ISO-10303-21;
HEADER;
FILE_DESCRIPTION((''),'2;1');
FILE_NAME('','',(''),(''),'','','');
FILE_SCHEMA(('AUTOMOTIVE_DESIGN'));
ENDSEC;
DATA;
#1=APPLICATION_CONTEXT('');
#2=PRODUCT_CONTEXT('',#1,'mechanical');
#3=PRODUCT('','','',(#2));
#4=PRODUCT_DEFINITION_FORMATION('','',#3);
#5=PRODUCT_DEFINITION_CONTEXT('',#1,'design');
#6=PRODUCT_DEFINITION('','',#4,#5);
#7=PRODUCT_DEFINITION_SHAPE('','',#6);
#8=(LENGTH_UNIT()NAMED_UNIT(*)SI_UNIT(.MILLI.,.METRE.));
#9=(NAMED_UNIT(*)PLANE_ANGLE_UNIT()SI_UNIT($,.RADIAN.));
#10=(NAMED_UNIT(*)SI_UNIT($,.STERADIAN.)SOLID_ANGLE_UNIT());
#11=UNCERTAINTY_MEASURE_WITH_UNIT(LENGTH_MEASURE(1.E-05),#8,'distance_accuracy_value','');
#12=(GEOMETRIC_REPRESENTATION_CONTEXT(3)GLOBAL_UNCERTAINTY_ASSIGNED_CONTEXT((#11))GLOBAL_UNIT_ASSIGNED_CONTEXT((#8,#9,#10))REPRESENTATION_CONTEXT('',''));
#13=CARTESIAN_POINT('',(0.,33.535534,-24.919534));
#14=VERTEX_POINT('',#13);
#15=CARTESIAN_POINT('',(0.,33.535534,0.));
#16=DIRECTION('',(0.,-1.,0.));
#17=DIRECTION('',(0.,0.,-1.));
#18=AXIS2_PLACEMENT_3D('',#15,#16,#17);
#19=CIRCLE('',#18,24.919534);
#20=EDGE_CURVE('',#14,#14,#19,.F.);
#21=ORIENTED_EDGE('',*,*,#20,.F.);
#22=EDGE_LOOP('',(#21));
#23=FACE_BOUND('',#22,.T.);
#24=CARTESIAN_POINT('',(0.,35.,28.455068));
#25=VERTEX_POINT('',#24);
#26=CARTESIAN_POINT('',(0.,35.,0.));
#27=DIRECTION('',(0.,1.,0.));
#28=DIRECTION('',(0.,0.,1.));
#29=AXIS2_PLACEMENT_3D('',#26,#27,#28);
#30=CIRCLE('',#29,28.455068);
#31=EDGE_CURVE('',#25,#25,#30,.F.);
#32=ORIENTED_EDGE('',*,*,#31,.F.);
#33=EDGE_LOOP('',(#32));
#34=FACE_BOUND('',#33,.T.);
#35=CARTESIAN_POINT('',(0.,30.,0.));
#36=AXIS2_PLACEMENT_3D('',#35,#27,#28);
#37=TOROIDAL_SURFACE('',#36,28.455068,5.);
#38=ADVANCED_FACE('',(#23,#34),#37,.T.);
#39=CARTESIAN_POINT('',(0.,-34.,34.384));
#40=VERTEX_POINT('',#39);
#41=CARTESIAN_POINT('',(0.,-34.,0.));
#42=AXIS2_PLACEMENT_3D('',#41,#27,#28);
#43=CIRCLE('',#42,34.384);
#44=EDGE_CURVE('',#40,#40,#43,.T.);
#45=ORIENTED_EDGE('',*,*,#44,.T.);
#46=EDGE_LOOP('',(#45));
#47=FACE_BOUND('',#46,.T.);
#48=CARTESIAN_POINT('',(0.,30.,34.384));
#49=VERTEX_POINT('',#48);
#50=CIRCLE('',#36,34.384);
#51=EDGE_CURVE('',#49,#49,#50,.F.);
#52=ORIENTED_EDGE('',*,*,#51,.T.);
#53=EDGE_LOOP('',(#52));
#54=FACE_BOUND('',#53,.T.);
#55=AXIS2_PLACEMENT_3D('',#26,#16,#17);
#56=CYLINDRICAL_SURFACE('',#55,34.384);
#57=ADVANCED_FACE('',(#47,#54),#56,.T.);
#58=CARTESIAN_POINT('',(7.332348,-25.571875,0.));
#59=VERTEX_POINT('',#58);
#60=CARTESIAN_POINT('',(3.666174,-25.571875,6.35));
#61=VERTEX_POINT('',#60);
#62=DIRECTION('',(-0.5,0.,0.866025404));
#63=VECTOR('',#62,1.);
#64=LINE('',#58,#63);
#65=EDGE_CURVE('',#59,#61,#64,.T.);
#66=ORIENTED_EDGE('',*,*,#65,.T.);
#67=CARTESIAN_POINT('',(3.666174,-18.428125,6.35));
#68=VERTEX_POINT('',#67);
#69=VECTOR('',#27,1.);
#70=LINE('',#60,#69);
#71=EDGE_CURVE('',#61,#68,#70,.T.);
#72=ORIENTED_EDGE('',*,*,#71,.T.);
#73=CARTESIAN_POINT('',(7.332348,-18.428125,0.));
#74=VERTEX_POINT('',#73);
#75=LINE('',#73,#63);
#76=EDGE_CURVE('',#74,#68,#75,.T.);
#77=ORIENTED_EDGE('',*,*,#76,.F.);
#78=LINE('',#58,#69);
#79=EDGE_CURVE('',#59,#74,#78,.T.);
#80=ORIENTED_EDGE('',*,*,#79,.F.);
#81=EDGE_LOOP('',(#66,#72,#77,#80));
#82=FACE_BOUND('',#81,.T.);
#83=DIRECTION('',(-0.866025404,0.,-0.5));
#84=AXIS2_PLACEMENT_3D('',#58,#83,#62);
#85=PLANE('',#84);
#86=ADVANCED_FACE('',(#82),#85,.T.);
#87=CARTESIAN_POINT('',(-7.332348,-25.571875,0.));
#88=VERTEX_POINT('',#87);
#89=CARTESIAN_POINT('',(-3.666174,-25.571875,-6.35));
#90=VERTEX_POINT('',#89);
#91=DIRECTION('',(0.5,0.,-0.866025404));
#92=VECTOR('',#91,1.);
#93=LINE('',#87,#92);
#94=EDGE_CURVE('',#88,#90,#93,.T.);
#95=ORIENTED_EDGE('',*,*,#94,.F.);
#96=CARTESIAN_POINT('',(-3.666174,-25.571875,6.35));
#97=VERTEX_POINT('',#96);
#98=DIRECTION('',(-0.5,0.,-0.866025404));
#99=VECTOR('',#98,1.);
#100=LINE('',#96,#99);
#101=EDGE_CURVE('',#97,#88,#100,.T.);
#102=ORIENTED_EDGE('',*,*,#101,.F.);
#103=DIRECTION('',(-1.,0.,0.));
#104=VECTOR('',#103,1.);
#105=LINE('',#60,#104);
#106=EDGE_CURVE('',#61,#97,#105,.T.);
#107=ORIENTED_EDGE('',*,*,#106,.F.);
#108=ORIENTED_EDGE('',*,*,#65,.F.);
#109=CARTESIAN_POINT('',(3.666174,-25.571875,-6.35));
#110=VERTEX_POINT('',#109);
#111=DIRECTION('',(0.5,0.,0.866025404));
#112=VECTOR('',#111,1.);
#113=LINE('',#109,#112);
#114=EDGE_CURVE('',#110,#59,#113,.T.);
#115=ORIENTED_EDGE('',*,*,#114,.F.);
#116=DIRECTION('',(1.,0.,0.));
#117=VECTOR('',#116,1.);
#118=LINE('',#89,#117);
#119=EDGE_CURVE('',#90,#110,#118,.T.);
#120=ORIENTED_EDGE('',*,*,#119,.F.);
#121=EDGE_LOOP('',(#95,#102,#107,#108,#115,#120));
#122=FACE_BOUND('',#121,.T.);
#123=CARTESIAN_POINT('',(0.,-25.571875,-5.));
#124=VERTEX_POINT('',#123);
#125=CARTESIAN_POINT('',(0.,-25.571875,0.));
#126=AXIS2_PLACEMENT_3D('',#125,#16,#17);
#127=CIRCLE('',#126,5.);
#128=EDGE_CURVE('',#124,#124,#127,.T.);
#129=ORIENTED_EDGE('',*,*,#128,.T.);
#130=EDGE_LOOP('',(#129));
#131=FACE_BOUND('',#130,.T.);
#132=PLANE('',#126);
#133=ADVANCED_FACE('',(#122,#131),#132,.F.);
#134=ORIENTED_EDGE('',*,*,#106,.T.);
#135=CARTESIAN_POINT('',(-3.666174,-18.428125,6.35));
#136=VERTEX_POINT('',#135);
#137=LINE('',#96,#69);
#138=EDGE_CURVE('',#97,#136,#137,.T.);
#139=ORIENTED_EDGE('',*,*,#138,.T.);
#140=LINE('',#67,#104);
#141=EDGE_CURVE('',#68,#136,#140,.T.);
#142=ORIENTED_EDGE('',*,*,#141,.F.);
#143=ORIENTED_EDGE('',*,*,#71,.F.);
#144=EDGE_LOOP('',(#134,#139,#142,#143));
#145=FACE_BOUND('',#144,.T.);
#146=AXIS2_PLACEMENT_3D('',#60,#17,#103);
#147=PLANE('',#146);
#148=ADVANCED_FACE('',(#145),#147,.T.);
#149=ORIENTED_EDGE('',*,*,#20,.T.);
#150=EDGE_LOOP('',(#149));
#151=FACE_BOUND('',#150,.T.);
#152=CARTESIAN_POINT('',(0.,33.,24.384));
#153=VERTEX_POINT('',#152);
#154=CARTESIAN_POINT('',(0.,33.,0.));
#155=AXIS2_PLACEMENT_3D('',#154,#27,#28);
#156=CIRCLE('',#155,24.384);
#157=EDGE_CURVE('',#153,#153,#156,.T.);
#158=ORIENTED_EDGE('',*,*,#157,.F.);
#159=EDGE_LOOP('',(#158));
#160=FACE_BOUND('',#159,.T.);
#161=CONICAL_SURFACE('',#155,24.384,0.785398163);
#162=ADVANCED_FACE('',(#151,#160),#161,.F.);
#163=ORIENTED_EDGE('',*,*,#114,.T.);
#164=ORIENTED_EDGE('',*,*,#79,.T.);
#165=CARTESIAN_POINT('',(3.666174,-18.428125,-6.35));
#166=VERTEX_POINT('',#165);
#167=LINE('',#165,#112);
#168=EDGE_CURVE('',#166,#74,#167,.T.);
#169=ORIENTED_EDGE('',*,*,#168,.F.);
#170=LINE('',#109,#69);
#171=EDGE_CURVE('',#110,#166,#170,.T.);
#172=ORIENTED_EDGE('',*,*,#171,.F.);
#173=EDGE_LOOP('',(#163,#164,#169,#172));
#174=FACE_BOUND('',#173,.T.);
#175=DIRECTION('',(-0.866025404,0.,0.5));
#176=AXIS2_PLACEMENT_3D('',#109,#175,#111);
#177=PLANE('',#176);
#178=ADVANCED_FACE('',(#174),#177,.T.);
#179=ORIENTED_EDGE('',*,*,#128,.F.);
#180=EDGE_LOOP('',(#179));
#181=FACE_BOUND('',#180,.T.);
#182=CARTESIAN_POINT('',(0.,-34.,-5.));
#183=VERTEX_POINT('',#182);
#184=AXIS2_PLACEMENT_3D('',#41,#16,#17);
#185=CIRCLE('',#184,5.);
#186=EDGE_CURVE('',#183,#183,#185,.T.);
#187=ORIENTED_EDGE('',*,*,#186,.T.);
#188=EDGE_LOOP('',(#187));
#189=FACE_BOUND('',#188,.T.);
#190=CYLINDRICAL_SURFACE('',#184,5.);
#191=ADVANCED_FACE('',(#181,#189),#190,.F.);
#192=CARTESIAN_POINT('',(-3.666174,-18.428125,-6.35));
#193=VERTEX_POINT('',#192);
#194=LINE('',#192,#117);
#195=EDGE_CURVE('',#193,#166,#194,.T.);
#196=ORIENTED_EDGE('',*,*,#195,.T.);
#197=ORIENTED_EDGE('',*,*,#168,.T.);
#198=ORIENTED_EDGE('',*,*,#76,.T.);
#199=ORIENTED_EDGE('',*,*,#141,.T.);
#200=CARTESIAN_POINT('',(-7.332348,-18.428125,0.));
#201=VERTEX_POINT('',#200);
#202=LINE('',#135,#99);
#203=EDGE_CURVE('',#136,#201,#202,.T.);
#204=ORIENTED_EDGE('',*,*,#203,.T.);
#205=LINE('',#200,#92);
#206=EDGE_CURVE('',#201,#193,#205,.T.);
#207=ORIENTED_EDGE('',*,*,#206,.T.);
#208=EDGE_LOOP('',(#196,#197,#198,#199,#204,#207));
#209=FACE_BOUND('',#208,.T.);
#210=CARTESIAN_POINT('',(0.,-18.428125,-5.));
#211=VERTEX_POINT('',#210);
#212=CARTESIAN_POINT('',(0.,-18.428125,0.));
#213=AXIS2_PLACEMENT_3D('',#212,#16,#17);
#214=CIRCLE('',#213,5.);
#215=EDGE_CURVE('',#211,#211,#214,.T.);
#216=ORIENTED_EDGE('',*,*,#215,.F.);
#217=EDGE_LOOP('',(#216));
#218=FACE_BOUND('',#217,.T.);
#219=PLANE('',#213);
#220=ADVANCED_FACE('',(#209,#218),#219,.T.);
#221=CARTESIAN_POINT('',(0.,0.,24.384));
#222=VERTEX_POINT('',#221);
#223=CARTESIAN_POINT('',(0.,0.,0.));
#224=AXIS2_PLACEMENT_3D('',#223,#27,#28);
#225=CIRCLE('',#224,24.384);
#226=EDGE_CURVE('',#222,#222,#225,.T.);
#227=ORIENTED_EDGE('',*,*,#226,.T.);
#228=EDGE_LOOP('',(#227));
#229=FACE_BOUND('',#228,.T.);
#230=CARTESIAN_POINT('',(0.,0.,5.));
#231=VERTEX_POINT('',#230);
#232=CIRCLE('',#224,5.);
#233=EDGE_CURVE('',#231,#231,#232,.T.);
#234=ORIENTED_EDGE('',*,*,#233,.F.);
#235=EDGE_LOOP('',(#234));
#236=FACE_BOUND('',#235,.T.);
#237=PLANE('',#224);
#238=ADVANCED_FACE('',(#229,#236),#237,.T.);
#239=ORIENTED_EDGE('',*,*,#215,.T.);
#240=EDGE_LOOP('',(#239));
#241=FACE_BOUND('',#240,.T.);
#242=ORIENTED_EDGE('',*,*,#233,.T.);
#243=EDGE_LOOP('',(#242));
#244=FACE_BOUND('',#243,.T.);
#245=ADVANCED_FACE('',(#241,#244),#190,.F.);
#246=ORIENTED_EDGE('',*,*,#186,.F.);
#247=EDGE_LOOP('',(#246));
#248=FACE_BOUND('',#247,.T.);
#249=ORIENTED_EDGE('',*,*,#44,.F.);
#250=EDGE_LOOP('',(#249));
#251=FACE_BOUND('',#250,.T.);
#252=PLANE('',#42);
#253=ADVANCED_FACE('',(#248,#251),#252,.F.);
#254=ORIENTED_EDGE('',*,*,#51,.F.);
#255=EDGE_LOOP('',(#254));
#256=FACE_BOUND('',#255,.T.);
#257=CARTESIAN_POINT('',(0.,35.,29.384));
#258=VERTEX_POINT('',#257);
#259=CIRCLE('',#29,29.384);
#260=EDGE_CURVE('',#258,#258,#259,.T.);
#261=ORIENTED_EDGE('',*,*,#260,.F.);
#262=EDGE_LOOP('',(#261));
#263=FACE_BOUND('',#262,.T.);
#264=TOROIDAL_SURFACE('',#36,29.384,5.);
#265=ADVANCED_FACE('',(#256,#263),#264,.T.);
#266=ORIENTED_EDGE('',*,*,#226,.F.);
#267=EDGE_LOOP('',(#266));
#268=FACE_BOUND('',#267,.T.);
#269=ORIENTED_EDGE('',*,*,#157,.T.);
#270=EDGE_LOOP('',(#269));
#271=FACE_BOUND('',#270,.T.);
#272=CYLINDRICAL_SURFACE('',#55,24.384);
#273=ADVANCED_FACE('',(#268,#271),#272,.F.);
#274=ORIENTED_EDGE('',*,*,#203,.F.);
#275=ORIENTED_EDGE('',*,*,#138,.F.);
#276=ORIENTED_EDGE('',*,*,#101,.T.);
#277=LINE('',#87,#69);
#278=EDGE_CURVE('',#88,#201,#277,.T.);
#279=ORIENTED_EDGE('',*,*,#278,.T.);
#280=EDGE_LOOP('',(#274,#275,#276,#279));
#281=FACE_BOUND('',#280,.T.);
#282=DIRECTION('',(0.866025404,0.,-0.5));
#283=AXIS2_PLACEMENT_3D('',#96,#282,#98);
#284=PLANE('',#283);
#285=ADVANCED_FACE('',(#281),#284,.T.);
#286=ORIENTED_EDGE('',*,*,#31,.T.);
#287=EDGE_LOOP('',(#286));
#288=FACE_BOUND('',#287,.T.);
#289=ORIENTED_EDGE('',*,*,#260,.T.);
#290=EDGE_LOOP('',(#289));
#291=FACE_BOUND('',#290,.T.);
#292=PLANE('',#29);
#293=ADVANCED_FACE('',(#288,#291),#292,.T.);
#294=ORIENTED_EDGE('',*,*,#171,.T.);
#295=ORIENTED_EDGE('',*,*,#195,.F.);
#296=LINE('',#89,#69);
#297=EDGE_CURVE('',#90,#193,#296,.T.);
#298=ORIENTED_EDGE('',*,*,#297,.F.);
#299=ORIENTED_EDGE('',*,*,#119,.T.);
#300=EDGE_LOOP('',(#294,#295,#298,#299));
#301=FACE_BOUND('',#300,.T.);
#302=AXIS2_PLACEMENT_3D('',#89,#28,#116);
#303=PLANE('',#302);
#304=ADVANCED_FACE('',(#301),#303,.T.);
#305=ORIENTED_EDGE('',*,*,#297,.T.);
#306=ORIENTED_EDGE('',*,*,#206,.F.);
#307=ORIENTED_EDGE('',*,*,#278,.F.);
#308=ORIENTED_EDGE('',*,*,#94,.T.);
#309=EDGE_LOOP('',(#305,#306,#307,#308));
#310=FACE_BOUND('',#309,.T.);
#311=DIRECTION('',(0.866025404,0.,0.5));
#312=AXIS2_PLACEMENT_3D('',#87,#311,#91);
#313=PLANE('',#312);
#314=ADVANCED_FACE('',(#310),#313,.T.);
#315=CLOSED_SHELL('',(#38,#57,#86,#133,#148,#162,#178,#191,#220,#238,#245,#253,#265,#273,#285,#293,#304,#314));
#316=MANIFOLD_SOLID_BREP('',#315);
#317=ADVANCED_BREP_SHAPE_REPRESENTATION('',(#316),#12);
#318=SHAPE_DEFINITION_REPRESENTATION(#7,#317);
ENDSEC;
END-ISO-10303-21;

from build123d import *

# Parameters (mm, degrees)
SKETCH1_R               = 34.384
SKETCH1_R_2             = 24.384
BOSS_EXTRUDE1_DEPTH     = 35
BOSS_EXTRUDE2_START     = -34
SKETCH1_3_R             = 34.384
BOSS_EXTRUDE2_DEPTH     = 34
CHAMFER1_SIZE           = 2
FILLET2_R               = 5
CUT_EXTRUDE1_DEPTH      = 3.571875
CUT_EXTRUDE1_DEPTH_BACK = 3.571875
F_10_0MM_DOWEL_HOLE1_D  = 10


with BuildPart() as part:
    # Sketch1 → Boss-Extrude1 (new body)
    with BuildSketch(Plane(origin=(0, 0, 0), x_dir=(1, 0, 0), z_dir=(0, 1, 0))):
        Circle(SKETCH1_R)
        Circle(SKETCH1_R_2, mode=Mode.SUBTRACT)
    extrude(amount=BOSS_EXTRUDE1_DEPTH)

    # Sketch1<3> → Boss-Extrude2 (add)
    with BuildSketch(Plane(origin=(0, 0, 0), x_dir=(1, 0, 0), z_dir=(0, 1, 0)).offset(BOSS_EXTRUDE2_START)):
        Circle(SKETCH1_3_R)
    extrude(amount=BOSS_EXTRUDE2_DEPTH)

    # Chamfer1
    chamfer1_edges = [part.edges().sort_by_distance(p)[0] for p in [
        (-24.384, 35, 0),
    ]]
    chamfer(chamfer1_edges, length=CHAMFER1_SIZE)

    # Fillet2
    fillet2_edges = [part.edges().sort_by_distance(p)[0] for p in [
        (-34.384, 35, 0),
        (-26.384, 35, 0),
    ]]
    fillet(fillet2_edges, radius=FILLET2_R)

    # Sketch10 → Cut-Extrude1 (cut, two sides: drawn at the far end of the back side and taken through both)
    with BuildSketch(Plane(origin=(0, -22, 0), x_dir=(-1, 0, 0), z_dir=(0, -1, 0)).offset(-CUT_EXTRUDE1_DEPTH_BACK)):
        Polygon((7.332348419, 0), (3.666174209, 6.35), (-3.666174209, 6.35), (-7.332348419, 0), (-3.666174209, -6.35), (3.666174209, -6.35), align=None)
    extrude(amount=CUT_EXTRUDE1_DEPTH + CUT_EXTRUDE1_DEPTH_BACK, mode=Mode.SUBTRACT)

    # Ø10.0mm Dowel Hole1 (through all)
    with Locations(Plane(origin=(0, -34, 0), x_dir=(-1, 0, 0), z_dir=(0, -1, 0))):
        with Locations((0, 0)):
            Hole(F_10_0MM_DOWEL_HOLE1_D / 2)


solid = part.part
